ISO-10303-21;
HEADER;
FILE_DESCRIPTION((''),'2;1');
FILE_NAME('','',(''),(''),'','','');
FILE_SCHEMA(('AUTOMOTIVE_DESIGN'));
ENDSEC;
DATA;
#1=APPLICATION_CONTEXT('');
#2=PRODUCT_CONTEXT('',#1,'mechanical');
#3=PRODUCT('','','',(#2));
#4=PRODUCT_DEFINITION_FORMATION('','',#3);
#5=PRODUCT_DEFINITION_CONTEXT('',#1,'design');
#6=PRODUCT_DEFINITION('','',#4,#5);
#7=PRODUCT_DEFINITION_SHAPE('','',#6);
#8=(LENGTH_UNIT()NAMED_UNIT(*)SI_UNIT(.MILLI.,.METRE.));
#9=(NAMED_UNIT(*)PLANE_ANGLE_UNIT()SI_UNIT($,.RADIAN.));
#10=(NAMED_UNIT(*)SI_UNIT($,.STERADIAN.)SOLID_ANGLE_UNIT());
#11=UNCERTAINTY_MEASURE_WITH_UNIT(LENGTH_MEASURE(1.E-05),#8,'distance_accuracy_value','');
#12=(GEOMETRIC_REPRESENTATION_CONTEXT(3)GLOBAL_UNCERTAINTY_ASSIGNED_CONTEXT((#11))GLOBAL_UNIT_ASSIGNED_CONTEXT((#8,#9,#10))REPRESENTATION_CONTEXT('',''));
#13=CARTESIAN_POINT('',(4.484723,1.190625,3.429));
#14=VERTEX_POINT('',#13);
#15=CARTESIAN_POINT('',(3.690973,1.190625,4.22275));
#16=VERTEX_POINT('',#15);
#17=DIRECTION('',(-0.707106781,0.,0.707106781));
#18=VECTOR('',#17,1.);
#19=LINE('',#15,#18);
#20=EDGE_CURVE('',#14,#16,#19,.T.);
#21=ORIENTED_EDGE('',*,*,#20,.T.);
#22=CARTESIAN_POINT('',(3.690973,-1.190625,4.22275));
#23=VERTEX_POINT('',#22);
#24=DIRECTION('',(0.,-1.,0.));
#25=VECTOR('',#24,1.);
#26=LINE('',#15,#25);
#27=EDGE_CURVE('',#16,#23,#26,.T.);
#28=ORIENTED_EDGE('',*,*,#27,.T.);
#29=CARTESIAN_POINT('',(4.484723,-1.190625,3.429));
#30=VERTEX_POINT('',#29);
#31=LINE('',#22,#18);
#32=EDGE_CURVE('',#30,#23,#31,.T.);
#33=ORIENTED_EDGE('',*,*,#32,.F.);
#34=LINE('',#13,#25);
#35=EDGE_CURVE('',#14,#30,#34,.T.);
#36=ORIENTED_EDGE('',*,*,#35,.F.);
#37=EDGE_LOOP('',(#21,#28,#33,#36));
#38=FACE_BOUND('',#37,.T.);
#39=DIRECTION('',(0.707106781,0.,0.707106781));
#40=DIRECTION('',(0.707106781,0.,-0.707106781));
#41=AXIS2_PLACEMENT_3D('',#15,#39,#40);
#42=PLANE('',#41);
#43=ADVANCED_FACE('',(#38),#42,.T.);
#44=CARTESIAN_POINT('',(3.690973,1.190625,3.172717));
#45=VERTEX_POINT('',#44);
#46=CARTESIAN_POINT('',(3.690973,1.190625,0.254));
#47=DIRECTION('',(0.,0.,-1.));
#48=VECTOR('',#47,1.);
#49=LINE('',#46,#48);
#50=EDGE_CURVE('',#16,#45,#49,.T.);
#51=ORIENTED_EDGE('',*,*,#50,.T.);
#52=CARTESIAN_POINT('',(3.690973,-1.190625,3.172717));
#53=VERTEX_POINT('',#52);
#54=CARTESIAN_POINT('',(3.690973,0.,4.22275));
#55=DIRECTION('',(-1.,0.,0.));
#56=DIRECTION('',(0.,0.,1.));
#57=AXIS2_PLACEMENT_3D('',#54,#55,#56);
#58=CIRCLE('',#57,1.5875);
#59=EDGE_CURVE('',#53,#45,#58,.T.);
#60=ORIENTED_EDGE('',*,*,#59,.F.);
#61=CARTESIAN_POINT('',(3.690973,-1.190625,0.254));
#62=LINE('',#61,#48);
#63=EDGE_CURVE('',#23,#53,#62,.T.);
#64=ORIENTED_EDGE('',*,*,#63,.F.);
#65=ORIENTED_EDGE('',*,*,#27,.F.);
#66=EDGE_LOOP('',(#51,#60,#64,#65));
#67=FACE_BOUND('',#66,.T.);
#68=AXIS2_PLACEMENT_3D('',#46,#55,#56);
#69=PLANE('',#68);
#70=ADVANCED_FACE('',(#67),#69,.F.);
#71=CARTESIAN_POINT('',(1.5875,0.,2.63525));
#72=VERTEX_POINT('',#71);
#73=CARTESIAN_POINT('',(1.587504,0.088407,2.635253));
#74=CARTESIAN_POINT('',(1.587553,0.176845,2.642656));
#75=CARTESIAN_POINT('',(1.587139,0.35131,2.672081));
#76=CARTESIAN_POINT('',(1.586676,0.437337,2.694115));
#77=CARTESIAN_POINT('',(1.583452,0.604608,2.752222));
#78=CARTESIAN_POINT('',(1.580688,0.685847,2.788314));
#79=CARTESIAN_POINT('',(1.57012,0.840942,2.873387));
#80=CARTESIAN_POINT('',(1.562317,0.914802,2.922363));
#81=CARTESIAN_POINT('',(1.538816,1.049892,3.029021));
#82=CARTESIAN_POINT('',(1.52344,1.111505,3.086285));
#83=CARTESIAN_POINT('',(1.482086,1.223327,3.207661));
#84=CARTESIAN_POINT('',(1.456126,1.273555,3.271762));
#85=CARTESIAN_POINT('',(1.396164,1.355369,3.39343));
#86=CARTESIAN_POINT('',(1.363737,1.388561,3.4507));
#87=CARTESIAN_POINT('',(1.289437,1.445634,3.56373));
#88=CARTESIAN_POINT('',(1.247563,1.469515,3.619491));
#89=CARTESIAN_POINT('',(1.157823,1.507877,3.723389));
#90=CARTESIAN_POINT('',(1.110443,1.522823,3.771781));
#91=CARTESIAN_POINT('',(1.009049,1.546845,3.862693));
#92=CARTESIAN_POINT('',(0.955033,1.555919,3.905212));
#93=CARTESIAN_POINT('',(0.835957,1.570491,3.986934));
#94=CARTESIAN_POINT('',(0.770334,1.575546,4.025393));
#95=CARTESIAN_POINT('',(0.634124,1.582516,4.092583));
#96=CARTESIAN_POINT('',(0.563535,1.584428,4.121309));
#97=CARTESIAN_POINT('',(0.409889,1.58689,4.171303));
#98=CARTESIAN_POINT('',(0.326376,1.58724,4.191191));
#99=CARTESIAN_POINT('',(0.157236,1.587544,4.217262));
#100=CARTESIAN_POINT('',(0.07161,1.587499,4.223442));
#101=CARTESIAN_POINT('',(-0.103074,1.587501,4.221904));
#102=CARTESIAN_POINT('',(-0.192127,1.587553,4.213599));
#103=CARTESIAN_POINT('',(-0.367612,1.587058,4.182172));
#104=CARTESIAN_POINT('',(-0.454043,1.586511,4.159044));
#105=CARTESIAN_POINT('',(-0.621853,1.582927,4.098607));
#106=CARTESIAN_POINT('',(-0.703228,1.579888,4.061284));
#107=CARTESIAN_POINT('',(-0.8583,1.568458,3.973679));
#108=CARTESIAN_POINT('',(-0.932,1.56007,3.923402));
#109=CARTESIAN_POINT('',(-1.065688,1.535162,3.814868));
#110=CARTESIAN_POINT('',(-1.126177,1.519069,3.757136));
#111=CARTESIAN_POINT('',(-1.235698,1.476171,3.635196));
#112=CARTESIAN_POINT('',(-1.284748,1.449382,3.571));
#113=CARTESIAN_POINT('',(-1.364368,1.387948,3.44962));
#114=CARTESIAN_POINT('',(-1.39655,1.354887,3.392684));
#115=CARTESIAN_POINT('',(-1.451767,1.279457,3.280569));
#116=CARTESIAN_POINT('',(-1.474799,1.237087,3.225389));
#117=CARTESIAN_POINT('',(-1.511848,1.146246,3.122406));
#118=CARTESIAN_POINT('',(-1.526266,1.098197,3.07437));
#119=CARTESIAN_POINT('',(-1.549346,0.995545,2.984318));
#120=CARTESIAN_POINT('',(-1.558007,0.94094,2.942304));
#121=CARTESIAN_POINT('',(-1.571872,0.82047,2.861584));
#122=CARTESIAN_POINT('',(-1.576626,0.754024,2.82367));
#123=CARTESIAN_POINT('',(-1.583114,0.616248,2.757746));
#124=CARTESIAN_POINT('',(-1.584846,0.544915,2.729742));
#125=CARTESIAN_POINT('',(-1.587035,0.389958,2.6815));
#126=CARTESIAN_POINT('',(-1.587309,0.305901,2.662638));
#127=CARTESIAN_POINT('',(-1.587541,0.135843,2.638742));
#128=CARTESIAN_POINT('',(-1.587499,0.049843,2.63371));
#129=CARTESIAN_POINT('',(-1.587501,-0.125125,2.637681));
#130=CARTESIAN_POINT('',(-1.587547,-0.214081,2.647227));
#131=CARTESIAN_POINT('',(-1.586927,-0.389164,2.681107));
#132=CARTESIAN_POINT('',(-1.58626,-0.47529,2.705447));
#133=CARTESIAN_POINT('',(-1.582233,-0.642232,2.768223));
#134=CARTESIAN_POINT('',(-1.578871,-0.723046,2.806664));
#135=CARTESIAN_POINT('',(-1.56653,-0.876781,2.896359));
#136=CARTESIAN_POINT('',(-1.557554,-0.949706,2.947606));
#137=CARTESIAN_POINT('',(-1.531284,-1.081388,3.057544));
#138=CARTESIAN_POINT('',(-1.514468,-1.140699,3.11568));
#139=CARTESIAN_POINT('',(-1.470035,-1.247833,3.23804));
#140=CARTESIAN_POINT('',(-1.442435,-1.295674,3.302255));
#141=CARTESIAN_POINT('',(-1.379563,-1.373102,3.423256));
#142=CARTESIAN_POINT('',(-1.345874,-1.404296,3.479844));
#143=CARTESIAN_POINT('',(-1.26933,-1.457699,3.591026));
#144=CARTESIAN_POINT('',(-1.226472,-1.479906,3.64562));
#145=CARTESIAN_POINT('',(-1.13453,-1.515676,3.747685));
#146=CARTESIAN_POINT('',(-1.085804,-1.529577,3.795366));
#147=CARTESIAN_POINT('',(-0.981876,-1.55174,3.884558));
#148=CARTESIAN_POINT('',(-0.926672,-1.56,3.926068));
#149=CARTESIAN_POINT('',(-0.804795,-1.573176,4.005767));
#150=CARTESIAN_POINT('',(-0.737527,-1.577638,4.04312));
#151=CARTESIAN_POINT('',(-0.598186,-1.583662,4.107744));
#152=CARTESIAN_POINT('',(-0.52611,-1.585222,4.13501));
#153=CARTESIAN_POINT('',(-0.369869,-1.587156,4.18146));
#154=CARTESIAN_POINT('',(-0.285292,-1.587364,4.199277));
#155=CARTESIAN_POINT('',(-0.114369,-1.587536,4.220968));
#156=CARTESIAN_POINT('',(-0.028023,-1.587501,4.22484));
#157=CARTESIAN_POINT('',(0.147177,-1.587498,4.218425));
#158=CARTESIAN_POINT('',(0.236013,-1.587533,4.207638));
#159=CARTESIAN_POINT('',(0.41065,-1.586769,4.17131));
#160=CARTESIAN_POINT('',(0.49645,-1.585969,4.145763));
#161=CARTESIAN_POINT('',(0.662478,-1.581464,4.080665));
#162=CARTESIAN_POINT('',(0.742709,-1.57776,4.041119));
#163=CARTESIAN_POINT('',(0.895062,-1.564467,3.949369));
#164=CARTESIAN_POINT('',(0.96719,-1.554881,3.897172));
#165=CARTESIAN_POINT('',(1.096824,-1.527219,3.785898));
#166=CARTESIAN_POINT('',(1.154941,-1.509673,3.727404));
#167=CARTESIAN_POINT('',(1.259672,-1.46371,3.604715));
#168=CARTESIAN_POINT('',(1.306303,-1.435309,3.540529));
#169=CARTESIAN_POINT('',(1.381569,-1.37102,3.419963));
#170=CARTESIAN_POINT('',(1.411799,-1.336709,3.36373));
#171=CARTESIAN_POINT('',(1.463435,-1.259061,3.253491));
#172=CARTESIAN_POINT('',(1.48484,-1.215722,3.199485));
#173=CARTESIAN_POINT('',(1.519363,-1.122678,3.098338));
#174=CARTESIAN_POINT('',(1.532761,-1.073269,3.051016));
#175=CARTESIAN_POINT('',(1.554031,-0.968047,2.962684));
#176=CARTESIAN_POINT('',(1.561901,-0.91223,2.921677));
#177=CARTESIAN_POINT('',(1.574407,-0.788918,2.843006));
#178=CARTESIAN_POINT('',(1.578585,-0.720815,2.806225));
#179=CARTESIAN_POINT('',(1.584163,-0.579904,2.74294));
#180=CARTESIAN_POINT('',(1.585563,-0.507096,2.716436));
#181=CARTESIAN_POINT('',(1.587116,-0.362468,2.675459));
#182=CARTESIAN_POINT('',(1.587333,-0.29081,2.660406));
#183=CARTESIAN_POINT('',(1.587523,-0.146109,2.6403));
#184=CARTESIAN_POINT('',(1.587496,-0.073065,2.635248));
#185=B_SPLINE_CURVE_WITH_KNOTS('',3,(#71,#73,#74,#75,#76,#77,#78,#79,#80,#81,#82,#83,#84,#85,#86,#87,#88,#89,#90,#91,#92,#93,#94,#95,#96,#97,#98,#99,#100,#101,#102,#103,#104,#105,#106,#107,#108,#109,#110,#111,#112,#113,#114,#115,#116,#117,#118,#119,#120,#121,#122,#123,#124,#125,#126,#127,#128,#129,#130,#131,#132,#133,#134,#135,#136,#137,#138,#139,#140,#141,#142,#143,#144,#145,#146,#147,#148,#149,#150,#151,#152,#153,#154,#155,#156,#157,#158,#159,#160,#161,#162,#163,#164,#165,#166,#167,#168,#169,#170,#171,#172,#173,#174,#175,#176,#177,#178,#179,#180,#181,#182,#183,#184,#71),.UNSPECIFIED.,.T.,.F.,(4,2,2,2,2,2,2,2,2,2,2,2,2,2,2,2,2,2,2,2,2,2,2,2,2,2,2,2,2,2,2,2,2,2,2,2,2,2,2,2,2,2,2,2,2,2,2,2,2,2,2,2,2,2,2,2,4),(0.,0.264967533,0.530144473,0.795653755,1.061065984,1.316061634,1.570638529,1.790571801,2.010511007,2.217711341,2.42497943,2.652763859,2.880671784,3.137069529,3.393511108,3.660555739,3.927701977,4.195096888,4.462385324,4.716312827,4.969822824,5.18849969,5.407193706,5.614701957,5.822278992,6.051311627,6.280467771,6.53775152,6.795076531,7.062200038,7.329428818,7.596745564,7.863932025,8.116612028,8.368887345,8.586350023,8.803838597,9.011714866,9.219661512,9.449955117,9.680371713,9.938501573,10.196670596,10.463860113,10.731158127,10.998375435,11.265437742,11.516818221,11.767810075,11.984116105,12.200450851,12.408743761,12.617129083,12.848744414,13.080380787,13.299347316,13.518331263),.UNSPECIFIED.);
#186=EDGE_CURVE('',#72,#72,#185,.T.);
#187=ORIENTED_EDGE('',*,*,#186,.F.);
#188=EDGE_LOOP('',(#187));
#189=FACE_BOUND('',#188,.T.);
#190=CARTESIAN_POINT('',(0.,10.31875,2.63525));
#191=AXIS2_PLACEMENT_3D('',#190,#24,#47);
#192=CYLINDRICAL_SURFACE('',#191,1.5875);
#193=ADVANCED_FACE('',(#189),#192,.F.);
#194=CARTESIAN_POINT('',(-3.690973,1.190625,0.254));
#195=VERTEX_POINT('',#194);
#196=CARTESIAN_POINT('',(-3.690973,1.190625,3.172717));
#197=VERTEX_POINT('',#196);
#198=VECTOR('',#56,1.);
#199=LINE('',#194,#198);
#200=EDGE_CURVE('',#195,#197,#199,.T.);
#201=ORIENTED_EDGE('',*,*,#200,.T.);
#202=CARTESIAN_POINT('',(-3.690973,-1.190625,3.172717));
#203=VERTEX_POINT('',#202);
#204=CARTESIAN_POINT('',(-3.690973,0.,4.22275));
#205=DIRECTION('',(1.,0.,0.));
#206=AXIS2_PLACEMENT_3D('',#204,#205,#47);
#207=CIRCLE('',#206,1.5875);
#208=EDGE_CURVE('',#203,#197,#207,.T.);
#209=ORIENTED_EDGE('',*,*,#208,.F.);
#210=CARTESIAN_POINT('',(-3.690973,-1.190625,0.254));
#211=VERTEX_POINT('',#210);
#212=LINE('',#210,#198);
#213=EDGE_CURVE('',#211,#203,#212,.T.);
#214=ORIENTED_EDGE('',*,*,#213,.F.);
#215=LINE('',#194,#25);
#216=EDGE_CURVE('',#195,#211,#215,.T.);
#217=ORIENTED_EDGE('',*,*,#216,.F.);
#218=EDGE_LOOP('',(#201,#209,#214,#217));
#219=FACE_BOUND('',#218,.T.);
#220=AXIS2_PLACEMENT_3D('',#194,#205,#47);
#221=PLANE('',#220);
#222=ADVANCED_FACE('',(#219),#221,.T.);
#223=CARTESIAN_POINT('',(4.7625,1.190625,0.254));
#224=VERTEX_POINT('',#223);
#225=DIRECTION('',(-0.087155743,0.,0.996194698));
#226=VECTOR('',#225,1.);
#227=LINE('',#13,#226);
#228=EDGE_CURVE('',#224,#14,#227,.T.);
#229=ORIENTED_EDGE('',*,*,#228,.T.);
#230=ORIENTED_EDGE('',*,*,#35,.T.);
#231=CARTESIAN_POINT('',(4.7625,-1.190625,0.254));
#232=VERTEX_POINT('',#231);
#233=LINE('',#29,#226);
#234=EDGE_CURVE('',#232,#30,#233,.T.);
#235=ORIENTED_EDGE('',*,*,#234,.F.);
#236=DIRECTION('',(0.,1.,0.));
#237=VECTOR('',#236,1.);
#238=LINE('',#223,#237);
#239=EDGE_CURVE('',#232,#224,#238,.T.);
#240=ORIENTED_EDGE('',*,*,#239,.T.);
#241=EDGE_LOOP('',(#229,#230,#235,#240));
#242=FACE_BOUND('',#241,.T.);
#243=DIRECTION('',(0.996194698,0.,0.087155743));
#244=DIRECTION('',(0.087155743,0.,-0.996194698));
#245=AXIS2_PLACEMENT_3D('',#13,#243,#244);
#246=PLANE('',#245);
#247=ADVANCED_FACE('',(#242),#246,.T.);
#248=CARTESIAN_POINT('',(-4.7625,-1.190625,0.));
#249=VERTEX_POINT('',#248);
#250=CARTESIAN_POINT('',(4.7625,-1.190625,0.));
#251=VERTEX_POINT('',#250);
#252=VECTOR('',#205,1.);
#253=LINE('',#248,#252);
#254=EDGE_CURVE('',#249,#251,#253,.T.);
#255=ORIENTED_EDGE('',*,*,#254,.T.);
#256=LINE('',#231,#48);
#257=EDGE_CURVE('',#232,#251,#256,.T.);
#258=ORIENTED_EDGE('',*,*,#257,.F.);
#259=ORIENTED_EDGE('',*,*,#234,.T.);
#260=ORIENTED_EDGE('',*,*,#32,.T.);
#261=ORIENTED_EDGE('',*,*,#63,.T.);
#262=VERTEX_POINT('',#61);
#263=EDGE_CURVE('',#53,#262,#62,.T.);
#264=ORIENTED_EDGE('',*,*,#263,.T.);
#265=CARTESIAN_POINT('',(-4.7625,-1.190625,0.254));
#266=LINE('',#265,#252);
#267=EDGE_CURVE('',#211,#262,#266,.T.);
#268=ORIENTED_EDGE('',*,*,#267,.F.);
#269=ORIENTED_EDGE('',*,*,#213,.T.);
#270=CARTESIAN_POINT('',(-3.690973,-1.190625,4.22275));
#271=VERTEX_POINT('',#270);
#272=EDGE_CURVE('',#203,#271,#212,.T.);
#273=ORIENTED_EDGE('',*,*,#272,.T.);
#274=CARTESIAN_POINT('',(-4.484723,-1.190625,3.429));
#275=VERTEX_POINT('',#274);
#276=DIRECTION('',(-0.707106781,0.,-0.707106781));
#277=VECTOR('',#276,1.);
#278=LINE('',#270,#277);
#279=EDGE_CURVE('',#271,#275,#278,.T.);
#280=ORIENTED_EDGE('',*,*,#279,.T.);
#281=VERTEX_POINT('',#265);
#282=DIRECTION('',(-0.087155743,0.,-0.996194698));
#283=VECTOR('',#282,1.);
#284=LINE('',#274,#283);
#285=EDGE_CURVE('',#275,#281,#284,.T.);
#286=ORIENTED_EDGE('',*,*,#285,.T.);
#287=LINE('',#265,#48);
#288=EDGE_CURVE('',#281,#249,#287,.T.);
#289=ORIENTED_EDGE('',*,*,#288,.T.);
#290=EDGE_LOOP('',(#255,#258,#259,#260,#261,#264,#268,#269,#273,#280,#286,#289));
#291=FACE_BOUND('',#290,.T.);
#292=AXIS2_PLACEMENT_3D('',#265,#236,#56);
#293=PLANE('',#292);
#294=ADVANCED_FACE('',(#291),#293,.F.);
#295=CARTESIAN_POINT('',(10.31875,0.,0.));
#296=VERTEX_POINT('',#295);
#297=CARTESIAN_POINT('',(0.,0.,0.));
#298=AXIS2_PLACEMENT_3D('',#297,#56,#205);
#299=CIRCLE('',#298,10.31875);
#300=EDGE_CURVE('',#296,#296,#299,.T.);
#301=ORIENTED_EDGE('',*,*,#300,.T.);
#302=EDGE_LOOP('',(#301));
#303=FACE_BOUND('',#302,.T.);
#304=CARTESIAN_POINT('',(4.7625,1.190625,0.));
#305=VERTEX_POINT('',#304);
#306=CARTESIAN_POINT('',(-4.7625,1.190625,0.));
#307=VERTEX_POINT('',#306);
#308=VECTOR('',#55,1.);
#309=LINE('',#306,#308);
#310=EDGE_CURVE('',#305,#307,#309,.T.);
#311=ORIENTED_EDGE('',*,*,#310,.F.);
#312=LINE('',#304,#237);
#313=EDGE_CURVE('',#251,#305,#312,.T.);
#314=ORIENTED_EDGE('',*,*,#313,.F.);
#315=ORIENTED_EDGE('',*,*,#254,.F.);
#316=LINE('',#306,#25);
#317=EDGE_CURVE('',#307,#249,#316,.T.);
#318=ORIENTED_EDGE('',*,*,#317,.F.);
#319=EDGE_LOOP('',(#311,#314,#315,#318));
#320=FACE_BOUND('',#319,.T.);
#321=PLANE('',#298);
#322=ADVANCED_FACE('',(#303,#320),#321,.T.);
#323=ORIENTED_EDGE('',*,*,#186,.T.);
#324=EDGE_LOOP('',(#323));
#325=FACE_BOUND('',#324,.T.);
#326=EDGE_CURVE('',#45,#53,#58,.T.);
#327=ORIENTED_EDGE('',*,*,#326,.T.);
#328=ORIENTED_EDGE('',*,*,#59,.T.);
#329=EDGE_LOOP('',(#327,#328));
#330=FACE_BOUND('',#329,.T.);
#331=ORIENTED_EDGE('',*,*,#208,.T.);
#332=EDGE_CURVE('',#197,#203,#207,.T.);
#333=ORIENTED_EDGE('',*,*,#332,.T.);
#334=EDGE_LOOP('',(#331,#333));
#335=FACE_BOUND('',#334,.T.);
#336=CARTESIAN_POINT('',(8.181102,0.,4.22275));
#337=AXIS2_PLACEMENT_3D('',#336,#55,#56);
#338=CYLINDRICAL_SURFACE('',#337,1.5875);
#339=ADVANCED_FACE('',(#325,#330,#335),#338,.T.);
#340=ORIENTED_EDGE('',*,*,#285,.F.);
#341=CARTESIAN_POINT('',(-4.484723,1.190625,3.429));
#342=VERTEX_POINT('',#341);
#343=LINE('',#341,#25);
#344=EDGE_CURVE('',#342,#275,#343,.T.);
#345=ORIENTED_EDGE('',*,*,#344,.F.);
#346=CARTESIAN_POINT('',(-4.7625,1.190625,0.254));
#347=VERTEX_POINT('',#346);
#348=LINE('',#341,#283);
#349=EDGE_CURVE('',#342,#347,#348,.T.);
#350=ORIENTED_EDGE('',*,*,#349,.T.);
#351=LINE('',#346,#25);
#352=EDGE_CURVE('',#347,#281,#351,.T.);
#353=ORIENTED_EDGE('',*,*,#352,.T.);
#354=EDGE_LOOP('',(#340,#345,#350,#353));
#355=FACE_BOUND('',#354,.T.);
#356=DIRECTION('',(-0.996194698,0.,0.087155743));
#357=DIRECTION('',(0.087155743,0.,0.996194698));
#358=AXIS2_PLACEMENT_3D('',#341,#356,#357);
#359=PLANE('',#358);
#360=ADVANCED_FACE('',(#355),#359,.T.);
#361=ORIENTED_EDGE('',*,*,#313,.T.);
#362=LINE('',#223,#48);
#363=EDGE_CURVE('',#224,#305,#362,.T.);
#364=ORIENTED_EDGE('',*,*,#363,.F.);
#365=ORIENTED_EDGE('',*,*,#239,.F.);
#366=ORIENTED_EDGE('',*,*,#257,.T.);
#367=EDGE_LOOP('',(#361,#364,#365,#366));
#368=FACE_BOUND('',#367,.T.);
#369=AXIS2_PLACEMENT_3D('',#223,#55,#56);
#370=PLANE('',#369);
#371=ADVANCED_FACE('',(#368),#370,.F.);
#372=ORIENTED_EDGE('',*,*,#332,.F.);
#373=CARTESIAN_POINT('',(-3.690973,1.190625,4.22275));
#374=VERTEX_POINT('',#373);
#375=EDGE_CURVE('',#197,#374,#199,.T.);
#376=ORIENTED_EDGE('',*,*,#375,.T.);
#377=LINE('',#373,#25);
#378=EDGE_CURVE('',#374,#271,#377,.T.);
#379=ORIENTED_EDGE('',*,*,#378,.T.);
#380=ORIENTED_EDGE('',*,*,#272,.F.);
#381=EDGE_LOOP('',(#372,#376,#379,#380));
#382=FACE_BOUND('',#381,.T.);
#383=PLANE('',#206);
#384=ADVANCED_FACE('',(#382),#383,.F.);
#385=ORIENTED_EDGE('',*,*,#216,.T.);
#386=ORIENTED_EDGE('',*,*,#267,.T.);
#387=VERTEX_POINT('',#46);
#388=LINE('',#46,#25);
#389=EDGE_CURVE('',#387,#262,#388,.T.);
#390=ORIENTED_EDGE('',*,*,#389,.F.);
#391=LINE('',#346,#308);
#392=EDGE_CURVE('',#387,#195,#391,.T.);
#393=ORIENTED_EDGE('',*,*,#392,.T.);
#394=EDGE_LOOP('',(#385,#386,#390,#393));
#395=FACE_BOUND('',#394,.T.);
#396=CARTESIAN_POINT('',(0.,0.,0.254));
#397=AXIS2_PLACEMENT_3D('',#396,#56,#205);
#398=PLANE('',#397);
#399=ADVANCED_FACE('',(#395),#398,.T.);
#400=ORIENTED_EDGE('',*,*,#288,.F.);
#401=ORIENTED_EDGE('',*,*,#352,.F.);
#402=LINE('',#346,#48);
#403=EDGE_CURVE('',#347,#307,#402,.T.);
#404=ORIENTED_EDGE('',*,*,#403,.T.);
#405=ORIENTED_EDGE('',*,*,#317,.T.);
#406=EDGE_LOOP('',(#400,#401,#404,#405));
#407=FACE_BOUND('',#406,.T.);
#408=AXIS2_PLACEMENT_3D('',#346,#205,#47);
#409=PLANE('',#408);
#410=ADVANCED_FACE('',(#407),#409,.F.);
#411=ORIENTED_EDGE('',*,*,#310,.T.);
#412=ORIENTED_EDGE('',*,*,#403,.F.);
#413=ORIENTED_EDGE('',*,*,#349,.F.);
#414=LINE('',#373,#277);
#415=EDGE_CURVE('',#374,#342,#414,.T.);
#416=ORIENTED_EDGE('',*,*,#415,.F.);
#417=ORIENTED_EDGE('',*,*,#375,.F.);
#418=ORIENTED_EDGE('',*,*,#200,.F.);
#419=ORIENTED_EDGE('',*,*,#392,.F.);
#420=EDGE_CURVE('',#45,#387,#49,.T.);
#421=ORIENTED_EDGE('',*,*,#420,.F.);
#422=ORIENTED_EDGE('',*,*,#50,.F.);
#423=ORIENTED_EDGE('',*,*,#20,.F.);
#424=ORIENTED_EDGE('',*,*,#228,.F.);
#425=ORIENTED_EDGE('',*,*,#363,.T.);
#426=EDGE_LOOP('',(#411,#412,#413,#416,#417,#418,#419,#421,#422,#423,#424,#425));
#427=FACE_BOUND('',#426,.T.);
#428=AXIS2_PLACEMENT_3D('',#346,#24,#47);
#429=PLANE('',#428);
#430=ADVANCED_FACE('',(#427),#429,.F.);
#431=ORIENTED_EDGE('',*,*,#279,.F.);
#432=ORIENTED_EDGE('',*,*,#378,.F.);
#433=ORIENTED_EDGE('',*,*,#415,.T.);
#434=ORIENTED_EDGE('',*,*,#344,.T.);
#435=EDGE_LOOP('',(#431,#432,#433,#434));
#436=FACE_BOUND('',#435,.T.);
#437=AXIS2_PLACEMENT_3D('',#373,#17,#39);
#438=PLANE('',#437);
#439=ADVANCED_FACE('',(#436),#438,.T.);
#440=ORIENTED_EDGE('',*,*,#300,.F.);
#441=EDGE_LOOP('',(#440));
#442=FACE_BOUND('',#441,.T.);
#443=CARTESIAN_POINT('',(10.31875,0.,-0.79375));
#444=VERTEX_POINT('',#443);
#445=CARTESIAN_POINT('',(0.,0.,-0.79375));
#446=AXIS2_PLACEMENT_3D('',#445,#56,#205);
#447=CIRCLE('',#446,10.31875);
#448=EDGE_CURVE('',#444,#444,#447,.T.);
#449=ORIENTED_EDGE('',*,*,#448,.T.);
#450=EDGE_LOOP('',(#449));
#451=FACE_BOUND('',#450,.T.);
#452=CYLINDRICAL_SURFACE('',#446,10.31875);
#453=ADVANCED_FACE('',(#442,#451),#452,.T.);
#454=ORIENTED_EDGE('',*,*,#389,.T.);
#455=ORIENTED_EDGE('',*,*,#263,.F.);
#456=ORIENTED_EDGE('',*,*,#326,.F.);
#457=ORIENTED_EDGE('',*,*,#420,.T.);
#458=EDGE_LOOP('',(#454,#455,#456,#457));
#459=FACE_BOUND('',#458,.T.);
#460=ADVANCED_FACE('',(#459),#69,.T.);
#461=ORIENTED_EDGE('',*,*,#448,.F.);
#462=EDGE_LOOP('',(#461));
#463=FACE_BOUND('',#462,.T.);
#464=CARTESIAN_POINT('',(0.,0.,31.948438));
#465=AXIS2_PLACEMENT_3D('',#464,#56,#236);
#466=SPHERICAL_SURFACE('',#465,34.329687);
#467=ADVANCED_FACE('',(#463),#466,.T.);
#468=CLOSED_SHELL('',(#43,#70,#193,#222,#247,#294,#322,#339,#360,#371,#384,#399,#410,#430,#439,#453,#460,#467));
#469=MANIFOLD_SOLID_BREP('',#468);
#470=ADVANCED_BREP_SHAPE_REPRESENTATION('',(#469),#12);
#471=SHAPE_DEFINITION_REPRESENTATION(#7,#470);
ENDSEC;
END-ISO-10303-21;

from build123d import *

# Parameters (mm, degrees)
SKETCH1_R               = 10.31875
BOSS_EXTRUDE1_DEPTH     = 0.79375
SKETCH5_W               = 9.525
SKETCH5_H               = 2.38125
BOSS_EXTRUDE2_DEPTH     = 0.254
BOSS_EXTRUDE3_DEPTH     = 2.38125
SKETCH7_R               = 1.5875
BOSS_EXTRUDE4_DEPTH     = 7.381946987
CUT_EXTRUDE1_DEPTH      = 17.513670686
CUT_EXTRUDE1_DEPTH_BACK = 17.513670686
SKETCH8_R               = 1.5875


with BuildPart() as part:
    # Sketch1 → Boss-Extrude1 (new body)
    with BuildSketch(Plane.XY):
        Circle(SKETCH1_R)
    extrude(amount=-BOSS_EXTRUDE1_DEPTH)

    # Sketch4 → Revolve1 (revolve)
    with BuildSketch(Plane(origin=(0, 0, 0), x_dir=(0, 0, -1), z_dir=(1, 0, 0))):
        with BuildLine():
            Line((0.79375, 0), (0.79375, 10.31875))
            ThreePointArc((0.79375, 10.31875), (1.982054014, 5.220075618), (2.38125, 0))
            Line((2.38125, 0), (0.79375, 0))
        make_face()
    revolve(axis=Axis((0, 0, -0.79375), (0, 0, -1)))

    # Sketch5 → Boss-Extrude2 (add)
    with BuildSketch(Plane.XY):
        Rectangle(SKETCH5_W, SKETCH5_H)
    extrude(amount=BOSS_EXTRUDE2_DEPTH)

    # Sketch6 → Boss-Extrude3 (add)
    with BuildSketch(Plane.XZ.offset(1.190625)):
        Polygon((-4.7625, 0.254), (-3.690973493, 0.254), (-3.690973493, 4.22275), (-4.484723493, 3.429), align=None)
        Polygon((4.7625, 0.254), (3.690973493, 0.254), (3.690973493, 4.22275), (4.484723493, 3.429), align=None)
    extrude(amount=-BOSS_EXTRUDE3_DEPTH)

    # Sketch7 → Boss-Extrude4 (add)
    with BuildSketch(Plane(origin=(-3.690973493, 0, 0), x_dir=(0, 0, -1), z_dir=(1, 0, 0))):
        with Locations(Location((-4.22275, 0, 0), (0, 0, 48.590377891))):
            Circle(SKETCH7_R)
    extrude(amount=BOSS_EXTRUDE4_DEPTH)

    # Sketch8 → Cut-Extrude1 (cut, two sides: drawn at the far end of the back side and taken through both)
    with BuildSketch(Plane.XZ.offset(1.190625).offset(-CUT_EXTRUDE1_DEPTH_BACK)):
        with Locations((0, 2.63525)):
            Circle(SKETCH8_R)
    extrude(amount=CUT_EXTRUDE1_DEPTH + CUT_EXTRUDE1_DEPTH_BACK, mode=Mode.SUBTRACT)


solid = part.part
